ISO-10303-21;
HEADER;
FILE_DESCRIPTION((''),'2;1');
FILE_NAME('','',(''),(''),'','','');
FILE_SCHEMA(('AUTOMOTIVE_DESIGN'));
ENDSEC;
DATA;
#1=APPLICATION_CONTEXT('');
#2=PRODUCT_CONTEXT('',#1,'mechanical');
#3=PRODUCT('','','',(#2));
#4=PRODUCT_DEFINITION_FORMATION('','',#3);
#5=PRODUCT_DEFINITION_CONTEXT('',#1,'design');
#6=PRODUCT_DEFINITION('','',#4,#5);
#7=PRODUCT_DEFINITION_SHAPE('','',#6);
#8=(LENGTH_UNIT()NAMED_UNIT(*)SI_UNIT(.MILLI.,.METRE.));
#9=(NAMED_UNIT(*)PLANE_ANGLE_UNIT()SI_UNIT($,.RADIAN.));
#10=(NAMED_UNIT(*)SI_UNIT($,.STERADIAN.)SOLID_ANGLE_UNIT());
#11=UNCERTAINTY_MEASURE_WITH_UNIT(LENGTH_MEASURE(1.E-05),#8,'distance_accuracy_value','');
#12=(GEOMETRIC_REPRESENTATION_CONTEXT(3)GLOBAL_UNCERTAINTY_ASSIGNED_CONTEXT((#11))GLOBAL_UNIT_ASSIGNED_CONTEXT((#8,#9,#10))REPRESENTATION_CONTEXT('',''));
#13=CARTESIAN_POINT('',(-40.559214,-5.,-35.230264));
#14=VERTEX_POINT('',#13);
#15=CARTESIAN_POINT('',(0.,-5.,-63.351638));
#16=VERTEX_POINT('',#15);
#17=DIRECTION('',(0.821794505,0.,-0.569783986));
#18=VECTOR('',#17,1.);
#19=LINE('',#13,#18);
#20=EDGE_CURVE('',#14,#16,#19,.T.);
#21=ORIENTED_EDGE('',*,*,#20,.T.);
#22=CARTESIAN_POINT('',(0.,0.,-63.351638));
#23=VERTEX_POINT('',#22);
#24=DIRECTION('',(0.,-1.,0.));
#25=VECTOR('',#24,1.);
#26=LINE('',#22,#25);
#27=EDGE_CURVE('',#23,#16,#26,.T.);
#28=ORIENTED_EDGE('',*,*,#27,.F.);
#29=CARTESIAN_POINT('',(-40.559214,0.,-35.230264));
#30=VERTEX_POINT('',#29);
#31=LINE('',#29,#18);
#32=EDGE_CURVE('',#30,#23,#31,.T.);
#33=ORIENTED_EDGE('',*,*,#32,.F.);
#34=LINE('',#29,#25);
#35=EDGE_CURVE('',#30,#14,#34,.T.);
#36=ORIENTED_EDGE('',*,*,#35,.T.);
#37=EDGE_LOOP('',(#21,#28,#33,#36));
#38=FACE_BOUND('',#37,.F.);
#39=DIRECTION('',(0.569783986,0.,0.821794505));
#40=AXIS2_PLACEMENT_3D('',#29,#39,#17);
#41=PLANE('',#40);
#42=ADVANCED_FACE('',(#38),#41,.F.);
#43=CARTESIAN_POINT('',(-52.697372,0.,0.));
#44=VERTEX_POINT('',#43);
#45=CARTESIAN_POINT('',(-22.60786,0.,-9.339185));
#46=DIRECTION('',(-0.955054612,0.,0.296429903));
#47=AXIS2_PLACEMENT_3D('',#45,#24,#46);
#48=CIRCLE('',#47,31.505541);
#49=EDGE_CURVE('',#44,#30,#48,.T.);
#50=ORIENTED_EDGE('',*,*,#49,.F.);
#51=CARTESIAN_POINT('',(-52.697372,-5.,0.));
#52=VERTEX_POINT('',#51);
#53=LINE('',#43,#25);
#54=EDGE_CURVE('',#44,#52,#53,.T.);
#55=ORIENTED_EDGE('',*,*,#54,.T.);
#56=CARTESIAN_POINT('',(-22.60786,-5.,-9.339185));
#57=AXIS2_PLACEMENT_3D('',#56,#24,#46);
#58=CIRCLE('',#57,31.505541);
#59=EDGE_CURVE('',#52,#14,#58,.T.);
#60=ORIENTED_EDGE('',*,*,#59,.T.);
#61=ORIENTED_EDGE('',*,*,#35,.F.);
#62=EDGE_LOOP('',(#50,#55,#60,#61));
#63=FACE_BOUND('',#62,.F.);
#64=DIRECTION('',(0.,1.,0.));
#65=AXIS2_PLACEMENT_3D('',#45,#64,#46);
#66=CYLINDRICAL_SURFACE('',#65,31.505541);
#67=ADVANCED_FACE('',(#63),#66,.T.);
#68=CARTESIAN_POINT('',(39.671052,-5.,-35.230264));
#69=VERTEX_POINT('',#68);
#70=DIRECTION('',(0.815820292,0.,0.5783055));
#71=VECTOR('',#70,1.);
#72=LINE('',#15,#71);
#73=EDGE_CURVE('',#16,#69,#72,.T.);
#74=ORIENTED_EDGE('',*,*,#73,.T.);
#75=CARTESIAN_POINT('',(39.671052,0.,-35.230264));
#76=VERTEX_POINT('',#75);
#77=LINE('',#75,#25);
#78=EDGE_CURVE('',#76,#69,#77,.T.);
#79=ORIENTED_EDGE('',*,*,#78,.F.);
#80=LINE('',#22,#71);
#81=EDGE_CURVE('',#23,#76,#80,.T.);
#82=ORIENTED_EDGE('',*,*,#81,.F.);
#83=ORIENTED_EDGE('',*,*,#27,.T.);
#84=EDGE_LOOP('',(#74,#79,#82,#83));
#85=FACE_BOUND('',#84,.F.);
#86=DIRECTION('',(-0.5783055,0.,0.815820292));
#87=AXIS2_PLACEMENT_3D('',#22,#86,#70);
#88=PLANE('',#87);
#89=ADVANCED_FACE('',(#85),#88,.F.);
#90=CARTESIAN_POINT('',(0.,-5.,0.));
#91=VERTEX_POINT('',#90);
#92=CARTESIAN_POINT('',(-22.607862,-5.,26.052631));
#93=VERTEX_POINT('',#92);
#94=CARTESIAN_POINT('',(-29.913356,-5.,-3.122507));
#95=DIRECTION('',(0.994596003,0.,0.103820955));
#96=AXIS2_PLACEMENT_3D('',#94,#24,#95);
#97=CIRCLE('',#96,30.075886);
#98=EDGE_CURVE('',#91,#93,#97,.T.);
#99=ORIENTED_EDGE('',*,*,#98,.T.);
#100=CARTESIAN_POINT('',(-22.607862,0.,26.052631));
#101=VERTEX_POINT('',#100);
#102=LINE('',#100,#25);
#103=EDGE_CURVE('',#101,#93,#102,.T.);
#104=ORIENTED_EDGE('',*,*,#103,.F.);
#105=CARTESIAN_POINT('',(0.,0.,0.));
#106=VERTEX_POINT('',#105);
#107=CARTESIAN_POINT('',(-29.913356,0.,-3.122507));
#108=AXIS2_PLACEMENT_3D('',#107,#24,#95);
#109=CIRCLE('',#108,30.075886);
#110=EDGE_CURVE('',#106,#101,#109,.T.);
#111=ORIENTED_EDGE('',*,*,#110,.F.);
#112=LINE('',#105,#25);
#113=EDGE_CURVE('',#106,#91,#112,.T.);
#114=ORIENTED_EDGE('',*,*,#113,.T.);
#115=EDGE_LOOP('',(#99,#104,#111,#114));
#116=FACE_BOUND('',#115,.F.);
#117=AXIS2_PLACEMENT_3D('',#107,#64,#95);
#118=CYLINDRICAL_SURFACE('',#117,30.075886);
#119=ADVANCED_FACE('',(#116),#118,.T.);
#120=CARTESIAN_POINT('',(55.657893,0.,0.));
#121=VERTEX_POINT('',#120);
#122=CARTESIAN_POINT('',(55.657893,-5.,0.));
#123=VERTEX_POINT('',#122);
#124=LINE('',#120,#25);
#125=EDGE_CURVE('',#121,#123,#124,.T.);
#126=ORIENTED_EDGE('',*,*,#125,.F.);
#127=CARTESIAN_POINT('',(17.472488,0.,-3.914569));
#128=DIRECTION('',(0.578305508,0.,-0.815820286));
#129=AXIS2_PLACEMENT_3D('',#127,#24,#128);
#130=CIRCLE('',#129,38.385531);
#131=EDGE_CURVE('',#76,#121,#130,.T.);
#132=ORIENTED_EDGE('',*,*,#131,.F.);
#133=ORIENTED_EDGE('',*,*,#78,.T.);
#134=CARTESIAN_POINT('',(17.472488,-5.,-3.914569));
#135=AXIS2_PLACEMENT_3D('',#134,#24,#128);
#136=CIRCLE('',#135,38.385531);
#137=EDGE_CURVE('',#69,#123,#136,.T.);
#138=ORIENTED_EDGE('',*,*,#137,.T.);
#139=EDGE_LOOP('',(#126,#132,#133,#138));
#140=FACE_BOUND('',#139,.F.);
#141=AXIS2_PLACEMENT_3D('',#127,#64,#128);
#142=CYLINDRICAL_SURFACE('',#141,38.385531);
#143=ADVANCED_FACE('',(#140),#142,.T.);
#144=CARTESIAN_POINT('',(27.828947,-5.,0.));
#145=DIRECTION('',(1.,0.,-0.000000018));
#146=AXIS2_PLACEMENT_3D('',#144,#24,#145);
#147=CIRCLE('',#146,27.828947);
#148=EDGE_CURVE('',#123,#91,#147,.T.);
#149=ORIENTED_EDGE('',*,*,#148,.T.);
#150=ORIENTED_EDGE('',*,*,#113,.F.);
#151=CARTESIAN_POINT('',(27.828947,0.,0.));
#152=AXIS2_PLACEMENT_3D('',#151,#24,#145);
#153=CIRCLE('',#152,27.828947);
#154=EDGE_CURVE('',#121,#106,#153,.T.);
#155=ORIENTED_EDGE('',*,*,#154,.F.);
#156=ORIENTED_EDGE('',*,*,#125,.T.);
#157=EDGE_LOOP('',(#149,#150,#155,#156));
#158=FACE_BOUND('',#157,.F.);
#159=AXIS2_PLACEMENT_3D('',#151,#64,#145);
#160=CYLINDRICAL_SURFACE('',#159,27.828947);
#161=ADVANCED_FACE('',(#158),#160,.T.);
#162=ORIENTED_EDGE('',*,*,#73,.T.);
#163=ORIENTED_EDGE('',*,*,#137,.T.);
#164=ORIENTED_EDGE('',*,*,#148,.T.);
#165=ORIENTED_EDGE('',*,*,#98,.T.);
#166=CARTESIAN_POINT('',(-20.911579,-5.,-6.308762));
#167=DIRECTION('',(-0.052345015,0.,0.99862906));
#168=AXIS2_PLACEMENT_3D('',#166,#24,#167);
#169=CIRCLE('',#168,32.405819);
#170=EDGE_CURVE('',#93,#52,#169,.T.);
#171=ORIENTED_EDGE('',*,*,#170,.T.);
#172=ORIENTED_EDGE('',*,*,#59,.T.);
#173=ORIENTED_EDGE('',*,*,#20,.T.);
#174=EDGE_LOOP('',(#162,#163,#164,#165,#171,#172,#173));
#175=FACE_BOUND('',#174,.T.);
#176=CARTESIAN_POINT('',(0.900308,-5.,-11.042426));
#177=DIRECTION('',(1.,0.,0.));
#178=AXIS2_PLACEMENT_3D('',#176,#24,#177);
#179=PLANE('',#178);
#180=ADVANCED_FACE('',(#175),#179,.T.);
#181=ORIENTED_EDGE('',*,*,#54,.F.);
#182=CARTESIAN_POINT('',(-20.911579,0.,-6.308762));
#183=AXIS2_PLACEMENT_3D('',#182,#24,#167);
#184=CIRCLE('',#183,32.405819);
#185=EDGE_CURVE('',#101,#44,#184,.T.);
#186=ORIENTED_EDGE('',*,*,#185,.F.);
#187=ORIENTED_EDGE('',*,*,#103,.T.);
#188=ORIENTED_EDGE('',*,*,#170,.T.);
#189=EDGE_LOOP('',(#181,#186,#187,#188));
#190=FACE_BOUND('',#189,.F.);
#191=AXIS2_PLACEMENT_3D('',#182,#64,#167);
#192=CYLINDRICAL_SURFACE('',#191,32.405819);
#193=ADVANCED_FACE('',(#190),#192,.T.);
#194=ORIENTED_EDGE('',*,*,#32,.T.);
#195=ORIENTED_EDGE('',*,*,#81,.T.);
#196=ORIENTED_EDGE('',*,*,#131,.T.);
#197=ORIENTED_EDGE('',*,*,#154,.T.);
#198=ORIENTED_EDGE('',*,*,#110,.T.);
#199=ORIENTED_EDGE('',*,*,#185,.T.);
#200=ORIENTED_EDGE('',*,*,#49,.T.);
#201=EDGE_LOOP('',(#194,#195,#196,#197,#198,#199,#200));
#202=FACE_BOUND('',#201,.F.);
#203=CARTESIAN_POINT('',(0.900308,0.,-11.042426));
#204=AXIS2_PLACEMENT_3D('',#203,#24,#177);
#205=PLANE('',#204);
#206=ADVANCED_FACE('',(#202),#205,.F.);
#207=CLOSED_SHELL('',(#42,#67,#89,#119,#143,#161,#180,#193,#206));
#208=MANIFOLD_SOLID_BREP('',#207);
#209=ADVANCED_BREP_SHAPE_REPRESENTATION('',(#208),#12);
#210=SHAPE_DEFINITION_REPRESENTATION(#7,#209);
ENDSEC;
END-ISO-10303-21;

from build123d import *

# Parameters (mm, degrees)
F1_DEPTH = 5


with BuildPart() as f1:
    # F0 (on Front) → F1 (new body)
    with BuildSketch(Plane.XZ):
        with BuildLine():
            ThreePointArc((39.671052, -35.230264), (52.427442, -19.776479), (55.657893, 0))
            ThreePointArc((55.657893, 0), (27.828947, 27.828947), (0, 0))
            ThreePointArc((0, 0), (-7.19782, 16.589503), (-22.607862, 26.052631))
            ThreePointArc((-22.607862, 26.052631), (-42.123539, 18.190011), (-52.697372, 0))
            ThreePointArc((-52.697372, 0), (-52.395006, -19.601983), (-40.559214, -35.230264))
            Line((-40.559214, -35.230264), (0, -63.351638))
            Line((0, -63.351638), (39.671052, -35.230264))
        make_face()
    extrude(amount=F1_DEPTH)


solid = f1.part
